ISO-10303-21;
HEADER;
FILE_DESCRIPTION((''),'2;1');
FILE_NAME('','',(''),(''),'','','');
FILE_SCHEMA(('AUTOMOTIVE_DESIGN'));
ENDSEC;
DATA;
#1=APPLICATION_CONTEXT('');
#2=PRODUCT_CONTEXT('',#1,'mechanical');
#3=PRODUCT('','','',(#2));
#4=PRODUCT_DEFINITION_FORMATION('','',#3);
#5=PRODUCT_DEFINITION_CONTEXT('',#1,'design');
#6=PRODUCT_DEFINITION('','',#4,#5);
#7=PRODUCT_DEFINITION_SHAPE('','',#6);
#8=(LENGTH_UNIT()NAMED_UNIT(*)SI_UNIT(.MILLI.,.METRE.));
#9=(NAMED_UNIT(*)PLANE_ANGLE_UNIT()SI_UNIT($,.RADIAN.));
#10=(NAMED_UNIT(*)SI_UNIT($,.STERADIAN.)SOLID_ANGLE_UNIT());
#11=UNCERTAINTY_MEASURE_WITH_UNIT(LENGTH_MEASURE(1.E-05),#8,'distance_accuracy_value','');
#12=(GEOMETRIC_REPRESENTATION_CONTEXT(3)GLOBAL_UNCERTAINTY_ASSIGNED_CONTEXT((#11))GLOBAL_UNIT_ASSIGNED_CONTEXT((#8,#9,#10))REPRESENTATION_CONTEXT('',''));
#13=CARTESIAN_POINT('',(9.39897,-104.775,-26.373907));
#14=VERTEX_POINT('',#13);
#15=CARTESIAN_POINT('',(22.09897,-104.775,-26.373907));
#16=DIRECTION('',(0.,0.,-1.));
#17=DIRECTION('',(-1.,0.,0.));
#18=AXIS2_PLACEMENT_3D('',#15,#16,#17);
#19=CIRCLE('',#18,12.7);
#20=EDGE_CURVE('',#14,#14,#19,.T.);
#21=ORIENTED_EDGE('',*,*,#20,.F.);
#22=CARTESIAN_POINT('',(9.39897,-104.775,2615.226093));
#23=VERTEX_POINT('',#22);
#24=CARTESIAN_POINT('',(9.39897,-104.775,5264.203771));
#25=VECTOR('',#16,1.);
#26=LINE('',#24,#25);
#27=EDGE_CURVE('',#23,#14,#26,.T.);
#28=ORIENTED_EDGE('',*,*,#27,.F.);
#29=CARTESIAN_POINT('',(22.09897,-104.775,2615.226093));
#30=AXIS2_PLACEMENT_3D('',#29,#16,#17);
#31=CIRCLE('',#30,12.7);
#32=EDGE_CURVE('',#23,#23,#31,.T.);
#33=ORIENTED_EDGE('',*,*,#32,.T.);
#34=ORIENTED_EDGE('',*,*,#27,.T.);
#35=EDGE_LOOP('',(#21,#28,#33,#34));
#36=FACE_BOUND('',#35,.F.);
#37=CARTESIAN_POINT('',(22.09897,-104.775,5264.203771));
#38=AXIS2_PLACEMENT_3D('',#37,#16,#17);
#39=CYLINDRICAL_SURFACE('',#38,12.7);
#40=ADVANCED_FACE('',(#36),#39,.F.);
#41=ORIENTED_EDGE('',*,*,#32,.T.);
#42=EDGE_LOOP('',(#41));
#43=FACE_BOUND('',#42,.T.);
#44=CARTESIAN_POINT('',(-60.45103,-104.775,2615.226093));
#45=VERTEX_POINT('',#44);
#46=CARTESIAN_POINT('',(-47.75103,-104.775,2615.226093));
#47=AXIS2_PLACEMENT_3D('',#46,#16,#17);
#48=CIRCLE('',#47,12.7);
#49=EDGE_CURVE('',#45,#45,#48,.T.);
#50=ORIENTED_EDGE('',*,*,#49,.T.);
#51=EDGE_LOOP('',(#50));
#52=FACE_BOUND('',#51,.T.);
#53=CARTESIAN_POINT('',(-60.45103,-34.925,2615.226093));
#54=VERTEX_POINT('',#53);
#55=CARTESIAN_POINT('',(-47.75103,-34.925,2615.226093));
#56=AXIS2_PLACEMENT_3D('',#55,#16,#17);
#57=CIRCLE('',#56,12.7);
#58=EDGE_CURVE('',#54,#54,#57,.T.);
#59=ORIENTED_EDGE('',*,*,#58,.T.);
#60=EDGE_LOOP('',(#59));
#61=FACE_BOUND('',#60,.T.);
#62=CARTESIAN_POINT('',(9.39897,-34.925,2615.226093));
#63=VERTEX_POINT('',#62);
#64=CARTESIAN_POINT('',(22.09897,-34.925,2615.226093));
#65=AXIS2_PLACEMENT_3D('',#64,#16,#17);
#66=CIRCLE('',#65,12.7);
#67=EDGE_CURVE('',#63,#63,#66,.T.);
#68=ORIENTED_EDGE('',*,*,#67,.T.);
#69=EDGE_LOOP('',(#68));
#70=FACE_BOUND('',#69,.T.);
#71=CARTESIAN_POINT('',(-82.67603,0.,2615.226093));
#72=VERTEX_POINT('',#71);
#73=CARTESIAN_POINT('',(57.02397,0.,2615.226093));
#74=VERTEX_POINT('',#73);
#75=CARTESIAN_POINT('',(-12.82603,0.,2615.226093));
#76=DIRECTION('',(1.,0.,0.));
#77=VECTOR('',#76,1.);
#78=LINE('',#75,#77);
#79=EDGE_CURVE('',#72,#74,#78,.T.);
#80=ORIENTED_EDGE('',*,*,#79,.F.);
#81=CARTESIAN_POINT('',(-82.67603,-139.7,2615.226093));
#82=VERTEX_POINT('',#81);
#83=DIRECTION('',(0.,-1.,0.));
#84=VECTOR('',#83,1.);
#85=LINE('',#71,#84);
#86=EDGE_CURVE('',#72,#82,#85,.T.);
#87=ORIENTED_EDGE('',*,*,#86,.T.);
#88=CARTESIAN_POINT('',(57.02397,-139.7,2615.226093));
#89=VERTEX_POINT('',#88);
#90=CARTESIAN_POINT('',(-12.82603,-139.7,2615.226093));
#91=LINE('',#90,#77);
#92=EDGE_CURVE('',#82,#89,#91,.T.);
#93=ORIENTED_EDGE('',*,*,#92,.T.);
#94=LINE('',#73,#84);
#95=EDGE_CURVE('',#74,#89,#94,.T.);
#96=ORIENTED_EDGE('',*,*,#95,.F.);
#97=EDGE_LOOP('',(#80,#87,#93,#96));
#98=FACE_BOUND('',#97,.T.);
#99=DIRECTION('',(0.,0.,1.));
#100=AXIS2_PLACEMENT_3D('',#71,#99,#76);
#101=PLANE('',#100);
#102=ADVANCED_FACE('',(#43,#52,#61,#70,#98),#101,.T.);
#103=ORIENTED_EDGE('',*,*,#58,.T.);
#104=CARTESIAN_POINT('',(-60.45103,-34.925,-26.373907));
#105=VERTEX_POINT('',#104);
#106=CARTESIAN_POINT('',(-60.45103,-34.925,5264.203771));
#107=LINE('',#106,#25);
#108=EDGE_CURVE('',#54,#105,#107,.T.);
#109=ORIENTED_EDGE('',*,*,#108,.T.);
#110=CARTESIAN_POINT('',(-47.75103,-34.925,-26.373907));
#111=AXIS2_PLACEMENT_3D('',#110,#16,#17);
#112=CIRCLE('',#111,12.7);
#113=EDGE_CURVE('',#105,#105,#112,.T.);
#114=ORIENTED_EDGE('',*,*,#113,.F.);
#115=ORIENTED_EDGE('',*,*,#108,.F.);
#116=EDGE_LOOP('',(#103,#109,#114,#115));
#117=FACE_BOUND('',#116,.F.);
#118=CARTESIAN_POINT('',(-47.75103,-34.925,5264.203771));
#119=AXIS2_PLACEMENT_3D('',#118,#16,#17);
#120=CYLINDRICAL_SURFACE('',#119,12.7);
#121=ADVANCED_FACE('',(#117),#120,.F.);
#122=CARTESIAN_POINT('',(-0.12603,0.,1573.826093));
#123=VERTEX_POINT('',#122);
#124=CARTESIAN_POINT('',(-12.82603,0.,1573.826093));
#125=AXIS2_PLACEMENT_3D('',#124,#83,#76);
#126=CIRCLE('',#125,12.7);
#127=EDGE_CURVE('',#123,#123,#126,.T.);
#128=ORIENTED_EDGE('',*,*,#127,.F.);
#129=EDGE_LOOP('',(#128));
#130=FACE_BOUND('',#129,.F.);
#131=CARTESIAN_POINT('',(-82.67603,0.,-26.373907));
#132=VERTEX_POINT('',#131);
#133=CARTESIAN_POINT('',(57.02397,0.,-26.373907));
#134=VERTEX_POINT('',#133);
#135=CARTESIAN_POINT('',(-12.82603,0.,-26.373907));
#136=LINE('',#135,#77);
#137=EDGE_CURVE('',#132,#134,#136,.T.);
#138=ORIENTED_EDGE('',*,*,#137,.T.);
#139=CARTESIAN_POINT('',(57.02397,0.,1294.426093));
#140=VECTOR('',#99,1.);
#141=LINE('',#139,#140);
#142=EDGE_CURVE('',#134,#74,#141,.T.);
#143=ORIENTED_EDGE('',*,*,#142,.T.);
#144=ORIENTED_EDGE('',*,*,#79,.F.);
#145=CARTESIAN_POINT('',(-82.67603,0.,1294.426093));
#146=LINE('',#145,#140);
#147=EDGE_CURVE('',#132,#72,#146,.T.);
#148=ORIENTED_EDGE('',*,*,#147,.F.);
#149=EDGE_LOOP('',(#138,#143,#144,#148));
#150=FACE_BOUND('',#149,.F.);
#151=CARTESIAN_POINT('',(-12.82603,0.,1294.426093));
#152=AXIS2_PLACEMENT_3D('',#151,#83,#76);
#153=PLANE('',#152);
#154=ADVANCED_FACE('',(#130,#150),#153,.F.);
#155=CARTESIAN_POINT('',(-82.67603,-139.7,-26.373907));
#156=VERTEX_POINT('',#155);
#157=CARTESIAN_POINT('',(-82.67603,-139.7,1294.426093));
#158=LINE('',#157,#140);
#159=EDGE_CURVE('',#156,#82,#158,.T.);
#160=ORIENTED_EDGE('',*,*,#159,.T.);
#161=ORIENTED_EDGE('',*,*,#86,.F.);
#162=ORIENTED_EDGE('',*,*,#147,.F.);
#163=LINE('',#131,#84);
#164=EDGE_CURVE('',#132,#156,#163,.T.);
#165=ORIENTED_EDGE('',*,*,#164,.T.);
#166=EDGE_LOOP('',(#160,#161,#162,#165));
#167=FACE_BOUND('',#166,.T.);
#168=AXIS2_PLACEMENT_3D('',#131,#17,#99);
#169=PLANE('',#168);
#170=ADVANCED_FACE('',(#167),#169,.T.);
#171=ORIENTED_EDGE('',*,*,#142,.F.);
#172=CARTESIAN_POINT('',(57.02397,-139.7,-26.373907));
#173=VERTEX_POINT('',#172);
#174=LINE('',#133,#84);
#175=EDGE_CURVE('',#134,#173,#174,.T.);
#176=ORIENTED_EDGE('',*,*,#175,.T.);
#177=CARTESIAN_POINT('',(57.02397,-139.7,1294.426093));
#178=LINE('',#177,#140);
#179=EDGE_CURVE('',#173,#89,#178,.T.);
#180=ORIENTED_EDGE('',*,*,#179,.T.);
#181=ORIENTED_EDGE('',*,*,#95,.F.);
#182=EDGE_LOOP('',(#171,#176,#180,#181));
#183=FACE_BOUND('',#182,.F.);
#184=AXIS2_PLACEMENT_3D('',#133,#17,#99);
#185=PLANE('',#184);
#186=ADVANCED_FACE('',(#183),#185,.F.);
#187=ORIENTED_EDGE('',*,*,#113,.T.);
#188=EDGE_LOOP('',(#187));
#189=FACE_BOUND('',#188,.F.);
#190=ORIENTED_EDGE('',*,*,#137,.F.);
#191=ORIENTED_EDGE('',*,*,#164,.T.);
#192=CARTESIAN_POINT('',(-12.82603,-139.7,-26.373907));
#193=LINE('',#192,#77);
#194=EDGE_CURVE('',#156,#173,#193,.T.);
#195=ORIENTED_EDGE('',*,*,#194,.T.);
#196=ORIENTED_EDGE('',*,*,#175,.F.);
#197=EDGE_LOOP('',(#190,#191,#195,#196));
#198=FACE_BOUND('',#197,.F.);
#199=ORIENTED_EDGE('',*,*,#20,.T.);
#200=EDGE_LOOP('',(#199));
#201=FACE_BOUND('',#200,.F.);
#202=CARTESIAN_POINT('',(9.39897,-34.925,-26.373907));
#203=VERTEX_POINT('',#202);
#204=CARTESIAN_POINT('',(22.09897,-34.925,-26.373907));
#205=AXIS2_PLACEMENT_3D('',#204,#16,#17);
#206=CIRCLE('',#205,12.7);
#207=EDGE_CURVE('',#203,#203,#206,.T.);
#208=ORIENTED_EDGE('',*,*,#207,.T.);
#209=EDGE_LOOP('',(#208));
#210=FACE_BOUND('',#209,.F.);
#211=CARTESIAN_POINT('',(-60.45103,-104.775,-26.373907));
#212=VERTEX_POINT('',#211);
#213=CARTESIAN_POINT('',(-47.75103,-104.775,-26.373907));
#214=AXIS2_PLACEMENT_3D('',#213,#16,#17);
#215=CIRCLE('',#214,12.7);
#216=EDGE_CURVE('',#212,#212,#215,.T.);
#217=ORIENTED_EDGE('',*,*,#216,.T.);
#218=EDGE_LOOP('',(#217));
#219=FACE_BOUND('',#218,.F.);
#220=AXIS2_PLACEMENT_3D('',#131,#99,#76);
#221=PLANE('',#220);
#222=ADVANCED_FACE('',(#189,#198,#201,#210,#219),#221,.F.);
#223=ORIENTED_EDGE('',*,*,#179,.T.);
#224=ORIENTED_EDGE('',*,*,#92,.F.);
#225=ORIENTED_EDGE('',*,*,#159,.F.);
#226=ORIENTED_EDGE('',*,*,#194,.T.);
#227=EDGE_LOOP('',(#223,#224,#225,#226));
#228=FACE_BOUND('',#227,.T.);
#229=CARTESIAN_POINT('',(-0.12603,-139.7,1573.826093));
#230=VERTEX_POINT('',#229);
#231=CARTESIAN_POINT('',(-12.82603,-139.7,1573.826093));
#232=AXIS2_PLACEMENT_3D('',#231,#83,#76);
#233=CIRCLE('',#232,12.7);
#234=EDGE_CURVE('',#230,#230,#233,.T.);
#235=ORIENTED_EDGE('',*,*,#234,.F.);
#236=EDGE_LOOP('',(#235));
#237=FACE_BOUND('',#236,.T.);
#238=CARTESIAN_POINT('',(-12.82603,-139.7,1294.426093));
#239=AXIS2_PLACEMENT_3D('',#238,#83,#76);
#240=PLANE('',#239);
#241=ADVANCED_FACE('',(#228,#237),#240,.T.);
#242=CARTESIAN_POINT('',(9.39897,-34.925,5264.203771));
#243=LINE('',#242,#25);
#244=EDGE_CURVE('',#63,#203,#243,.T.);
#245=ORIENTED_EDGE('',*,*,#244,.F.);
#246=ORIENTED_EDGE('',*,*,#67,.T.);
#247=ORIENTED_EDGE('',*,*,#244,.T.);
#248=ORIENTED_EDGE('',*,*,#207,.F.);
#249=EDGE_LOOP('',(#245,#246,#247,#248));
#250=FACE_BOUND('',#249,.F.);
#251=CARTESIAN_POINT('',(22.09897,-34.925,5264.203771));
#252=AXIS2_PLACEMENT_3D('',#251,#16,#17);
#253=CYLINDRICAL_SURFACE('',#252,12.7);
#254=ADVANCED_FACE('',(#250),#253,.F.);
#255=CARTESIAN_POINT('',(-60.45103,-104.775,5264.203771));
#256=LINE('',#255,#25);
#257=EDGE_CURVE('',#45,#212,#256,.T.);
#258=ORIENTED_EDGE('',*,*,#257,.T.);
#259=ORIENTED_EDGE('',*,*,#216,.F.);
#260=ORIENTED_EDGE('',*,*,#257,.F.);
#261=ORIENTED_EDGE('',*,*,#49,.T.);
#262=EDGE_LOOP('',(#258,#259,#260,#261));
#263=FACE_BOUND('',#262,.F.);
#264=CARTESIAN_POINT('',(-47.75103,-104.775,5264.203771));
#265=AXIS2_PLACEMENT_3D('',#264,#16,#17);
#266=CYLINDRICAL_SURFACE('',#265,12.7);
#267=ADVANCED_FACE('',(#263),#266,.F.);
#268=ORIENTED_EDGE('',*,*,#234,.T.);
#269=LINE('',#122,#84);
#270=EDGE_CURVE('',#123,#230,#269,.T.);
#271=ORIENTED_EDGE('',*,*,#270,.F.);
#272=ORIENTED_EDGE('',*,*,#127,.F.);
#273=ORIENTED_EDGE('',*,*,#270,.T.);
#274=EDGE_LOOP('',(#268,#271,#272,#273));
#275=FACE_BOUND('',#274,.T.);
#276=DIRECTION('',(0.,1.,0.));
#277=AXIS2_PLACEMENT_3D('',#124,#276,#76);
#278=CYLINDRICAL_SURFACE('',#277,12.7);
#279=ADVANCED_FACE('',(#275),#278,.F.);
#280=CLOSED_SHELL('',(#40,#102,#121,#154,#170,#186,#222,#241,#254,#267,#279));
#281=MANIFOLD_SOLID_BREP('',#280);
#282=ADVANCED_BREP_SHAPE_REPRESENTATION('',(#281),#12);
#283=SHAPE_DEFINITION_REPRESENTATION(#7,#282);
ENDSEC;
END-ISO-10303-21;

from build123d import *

# Parameters (mm, degrees)
F0_W     = 139.7
F0_H     = 2641.6
F0_R     = 12.7
F1_DEPTH = 139.7
F3_D     = 25.4


with BuildPart() as f1:
    # F0 (on Front) → F1 (new body)
    with BuildSketch(Plane.XZ):
        with Locations((-12.82603, 1294.426093)):
            Rectangle(F0_W, F0_H)
        with Locations((-12.82603, 1573.826093)):
            Circle(F0_R, mode=Mode.SUBTRACT)
    extrude(amount=F1_DEPTH)

    # F3 (through all)
    with Locations(Plane.XY.offset(2615.226093)):
        with Locations((-47.75103, -34.925), (22.09897, -34.925), (22.09897, -104.775), (-47.75103, -104.775)):
            Hole(F3_D / 2)


solid = f1.part
